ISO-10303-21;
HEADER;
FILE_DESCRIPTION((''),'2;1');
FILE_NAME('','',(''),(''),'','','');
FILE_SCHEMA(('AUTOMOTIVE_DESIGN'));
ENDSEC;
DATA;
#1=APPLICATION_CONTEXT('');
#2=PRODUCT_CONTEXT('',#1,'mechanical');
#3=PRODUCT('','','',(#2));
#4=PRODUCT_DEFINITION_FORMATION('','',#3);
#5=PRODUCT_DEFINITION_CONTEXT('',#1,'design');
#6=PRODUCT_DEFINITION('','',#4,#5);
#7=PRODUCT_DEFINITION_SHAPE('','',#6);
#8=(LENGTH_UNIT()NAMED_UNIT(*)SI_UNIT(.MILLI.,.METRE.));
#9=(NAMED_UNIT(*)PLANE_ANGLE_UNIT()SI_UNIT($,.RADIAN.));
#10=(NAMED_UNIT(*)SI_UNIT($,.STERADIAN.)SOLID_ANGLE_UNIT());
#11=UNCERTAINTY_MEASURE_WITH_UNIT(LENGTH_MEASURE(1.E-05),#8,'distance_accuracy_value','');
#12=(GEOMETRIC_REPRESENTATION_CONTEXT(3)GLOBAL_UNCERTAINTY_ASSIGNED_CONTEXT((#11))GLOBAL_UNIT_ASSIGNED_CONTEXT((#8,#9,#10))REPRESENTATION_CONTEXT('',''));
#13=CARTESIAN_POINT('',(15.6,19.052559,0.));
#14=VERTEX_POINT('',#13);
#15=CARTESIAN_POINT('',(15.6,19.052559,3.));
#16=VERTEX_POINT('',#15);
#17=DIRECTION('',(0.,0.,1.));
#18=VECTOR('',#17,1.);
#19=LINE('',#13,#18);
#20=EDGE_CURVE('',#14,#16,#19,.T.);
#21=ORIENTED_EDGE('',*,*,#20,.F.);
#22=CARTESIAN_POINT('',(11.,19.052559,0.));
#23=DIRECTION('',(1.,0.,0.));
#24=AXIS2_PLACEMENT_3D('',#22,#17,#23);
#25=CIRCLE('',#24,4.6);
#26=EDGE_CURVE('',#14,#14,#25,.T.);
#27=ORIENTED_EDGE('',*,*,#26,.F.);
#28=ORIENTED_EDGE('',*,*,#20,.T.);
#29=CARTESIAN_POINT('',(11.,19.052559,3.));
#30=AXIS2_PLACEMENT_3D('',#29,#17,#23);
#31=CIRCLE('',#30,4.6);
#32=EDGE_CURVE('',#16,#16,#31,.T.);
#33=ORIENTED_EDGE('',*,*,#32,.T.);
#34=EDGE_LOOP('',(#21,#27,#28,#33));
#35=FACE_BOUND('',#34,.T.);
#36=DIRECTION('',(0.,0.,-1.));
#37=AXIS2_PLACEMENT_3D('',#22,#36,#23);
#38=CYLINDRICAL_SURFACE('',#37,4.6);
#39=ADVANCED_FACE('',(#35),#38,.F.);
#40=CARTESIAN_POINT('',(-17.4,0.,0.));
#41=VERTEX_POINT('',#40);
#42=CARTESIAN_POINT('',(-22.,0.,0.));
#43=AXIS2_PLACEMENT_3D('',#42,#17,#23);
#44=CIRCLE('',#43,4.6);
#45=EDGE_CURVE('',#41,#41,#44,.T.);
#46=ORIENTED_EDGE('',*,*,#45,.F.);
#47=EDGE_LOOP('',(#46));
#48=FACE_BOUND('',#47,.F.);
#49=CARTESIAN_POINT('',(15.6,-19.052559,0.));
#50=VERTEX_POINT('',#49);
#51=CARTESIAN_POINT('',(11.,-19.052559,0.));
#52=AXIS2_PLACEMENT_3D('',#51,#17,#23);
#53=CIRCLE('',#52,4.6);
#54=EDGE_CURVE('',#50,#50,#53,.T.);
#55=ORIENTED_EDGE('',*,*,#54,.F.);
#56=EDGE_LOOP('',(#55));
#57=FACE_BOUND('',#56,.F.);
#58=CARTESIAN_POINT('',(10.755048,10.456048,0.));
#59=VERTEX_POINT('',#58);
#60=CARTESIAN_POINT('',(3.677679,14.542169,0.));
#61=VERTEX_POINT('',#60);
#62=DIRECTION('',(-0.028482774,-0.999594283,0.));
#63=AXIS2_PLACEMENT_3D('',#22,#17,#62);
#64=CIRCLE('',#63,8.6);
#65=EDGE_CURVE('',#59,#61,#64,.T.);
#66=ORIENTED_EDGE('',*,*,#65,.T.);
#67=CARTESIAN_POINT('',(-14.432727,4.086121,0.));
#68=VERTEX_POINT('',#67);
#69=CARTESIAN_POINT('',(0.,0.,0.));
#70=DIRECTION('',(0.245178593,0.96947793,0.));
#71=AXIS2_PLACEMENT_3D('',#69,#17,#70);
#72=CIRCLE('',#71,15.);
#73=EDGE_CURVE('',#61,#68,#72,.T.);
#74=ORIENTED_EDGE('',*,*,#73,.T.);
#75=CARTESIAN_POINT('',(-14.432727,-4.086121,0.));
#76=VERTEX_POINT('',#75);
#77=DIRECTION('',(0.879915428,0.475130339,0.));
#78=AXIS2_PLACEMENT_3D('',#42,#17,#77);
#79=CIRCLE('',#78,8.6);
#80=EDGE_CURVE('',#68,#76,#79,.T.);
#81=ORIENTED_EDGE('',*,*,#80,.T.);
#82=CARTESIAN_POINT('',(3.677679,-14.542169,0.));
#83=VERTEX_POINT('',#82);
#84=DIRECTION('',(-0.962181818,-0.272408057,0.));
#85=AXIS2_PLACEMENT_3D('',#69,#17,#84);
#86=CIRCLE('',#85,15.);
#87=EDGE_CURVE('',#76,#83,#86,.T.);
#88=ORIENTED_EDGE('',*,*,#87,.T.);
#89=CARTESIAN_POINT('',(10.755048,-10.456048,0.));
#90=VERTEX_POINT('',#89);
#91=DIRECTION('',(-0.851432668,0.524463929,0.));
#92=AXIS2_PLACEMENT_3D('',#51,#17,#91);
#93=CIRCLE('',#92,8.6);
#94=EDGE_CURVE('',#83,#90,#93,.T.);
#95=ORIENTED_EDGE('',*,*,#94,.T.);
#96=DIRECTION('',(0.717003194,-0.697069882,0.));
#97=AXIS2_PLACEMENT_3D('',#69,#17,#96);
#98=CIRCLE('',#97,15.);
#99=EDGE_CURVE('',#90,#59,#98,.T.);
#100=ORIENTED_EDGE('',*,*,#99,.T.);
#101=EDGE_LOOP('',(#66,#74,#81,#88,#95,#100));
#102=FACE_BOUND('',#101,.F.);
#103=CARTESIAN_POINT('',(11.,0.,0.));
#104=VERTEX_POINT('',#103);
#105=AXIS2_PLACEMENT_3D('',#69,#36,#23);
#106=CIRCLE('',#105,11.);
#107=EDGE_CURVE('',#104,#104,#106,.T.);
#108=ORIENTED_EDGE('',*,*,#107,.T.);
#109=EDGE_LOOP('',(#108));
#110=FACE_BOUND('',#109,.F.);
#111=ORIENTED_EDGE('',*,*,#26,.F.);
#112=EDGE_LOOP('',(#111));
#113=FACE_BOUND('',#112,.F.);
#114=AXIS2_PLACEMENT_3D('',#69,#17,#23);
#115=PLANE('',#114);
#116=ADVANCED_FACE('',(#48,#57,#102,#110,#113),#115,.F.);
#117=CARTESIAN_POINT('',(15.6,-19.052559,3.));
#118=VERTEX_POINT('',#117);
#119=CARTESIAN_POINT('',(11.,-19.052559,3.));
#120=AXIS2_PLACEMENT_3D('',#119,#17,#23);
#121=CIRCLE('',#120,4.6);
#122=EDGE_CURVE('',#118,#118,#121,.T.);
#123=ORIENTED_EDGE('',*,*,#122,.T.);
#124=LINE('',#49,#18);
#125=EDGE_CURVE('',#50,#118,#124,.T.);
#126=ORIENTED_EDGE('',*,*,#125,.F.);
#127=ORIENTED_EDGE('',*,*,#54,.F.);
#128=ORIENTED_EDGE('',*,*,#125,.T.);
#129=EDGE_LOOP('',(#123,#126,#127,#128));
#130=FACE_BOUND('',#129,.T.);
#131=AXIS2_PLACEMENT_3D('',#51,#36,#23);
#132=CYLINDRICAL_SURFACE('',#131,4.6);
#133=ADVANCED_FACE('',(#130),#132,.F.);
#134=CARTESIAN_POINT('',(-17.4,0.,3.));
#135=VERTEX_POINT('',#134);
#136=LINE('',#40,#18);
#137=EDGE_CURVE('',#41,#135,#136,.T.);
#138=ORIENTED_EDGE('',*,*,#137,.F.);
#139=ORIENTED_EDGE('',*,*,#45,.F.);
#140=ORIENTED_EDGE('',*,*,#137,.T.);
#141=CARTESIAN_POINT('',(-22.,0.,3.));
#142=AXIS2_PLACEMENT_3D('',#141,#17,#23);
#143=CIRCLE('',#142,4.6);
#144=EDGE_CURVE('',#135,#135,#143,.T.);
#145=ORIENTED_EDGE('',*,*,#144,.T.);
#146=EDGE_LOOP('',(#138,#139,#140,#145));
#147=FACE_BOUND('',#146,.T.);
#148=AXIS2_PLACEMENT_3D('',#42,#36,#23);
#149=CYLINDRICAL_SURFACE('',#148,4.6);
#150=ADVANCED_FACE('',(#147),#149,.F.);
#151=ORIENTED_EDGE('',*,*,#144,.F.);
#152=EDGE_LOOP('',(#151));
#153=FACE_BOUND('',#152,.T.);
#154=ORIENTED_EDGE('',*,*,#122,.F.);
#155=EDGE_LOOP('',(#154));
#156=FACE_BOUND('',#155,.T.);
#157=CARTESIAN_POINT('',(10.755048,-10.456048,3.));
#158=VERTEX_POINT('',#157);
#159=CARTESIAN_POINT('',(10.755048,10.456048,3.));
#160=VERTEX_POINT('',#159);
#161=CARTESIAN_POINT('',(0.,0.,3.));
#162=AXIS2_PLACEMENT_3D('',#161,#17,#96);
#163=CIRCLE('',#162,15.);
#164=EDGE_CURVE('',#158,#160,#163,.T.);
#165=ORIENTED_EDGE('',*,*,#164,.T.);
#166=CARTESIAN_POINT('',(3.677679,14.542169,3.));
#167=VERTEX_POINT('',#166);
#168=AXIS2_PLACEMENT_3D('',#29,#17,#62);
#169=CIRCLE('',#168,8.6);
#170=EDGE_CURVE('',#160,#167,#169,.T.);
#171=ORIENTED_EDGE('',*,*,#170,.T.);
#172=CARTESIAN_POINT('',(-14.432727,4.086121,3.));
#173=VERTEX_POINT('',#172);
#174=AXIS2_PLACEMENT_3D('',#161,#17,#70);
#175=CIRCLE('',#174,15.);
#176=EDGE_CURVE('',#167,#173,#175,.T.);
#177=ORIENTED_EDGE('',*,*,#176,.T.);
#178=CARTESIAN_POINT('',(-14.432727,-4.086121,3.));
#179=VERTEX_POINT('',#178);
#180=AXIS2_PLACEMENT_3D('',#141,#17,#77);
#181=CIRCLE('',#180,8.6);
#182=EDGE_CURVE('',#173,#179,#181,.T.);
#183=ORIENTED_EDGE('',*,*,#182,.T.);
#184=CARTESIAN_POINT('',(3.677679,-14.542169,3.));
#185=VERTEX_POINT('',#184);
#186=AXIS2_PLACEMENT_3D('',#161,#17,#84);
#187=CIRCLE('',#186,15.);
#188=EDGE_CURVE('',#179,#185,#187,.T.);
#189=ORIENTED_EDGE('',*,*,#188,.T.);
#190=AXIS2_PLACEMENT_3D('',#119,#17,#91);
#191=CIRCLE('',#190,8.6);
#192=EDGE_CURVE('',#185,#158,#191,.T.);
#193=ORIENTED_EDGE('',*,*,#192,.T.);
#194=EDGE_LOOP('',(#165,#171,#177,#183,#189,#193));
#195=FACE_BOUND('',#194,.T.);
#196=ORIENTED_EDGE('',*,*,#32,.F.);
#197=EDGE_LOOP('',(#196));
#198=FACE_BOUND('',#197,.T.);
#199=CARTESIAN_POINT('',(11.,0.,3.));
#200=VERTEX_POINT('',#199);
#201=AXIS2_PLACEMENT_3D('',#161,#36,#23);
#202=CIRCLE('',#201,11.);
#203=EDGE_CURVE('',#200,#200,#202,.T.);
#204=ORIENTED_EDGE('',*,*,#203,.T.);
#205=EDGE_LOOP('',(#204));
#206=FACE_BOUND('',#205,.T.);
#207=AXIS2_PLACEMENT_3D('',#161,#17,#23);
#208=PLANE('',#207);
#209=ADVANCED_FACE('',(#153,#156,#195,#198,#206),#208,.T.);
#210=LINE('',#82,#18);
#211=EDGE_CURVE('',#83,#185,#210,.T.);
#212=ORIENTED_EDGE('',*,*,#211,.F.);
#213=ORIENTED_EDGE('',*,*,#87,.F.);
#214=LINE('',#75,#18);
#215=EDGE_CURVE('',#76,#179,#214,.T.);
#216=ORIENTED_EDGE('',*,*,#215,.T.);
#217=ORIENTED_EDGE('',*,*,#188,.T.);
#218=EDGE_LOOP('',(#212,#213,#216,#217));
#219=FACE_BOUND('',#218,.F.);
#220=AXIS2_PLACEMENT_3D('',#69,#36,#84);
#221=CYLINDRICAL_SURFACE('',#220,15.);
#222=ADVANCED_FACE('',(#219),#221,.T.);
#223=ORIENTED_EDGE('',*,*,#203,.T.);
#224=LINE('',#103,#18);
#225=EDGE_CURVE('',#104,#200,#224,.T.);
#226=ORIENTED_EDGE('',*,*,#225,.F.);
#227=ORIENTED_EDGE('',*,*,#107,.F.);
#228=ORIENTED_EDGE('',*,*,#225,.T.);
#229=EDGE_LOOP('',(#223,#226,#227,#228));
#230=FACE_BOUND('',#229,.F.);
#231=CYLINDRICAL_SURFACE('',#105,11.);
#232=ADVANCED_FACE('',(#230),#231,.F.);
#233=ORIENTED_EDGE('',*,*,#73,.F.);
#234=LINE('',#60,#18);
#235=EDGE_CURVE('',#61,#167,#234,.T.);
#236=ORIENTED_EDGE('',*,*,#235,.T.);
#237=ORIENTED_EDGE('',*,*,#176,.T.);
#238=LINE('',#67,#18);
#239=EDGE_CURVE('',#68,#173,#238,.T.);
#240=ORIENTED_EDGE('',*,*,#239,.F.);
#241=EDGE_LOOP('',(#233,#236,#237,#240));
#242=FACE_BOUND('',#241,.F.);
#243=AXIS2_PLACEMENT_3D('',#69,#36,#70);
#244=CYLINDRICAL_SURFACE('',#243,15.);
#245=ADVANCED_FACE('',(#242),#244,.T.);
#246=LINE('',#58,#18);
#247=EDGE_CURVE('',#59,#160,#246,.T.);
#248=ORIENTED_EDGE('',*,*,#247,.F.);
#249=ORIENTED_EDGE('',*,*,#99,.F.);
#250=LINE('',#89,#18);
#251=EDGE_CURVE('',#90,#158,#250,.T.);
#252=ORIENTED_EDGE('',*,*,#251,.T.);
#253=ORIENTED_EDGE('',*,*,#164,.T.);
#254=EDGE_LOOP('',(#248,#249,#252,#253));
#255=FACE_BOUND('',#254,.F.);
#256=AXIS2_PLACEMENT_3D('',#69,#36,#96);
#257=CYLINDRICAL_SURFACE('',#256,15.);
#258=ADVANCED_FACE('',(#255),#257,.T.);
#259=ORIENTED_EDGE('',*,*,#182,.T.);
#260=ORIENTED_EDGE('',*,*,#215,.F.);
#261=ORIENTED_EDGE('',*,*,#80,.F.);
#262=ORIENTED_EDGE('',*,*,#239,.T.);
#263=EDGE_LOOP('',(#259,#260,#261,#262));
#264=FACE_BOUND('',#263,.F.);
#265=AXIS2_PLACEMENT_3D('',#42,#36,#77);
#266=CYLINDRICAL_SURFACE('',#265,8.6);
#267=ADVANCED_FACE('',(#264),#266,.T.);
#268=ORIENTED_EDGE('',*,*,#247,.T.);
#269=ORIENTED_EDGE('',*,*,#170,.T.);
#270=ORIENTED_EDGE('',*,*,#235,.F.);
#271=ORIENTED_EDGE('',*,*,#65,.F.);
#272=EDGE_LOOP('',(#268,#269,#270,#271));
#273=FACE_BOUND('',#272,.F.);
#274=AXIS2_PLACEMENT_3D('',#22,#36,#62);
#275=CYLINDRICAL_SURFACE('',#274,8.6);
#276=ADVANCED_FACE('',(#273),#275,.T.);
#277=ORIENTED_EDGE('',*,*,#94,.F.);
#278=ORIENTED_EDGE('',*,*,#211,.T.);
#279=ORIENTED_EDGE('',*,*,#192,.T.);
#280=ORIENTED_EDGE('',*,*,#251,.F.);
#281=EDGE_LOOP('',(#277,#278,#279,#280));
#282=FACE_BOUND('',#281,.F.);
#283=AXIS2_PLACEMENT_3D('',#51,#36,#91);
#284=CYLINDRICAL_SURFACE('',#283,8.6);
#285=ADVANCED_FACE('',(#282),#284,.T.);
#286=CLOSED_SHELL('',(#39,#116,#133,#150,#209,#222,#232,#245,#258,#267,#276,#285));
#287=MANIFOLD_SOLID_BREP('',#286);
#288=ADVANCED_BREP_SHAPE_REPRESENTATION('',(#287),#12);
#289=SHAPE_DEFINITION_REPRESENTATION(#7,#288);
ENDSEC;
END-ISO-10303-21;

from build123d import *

# Parameters (mm, degrees)
F0_R     = 4.6
F1_DEPTH = 3


with BuildPart() as f1:
    # F0 (on Top) → F1 (new body)
    with BuildSketch(Plane.XY):
        with BuildLine():
            ThreePointArc((-11, 0), (0, -11), (11, 0))
            ThreePointArc((11, 0), (0, 11), (-11, 0))
        make_face()
        with Locations((-22, 0)):
            Circle(F0_R)
        with BuildLine():
            ThreePointArc((-14.432727, 4.086121), (-30.6, 0), (-14.432727, -4.086121))
            ThreePointArc((-14.432727, -4.086121), (-7.5, -12.990381), (3.677679, -14.542169))
            ThreePointArc((3.677679, -14.542169), (15.3, -26.500377), (10.755048, -10.456048))
            ThreePointArc((10.755048, -10.456048), (15, 0), (10.755048, 10.456048))
            ThreePointArc((10.755048, 10.456048), (15.3, 26.500377), (3.677679, 14.542169))
            ThreePointArc((3.677679, 14.542169), (-7.5, 12.990381), (-14.432727, 4.086121))
        make_face()
        with Locations((11, -19.052559)):
            Circle(F0_R, mode=Mode.SUBTRACT)
        with Locations((-22, 0)):
            Circle(F0_R, mode=Mode.SUBTRACT)
        with BuildLine():
            ThreePointArc((-11, 0), (0, 11), (11, 0))
            ThreePointArc((11, 0), (0, -11), (-11, 0))
        make_face(mode=Mode.SUBTRACT)
        with Locations((11, 19.052559)):
            Circle(F0_R, mode=Mode.SUBTRACT)
    extrude(amount=F1_DEPTH)


solid = f1.part
